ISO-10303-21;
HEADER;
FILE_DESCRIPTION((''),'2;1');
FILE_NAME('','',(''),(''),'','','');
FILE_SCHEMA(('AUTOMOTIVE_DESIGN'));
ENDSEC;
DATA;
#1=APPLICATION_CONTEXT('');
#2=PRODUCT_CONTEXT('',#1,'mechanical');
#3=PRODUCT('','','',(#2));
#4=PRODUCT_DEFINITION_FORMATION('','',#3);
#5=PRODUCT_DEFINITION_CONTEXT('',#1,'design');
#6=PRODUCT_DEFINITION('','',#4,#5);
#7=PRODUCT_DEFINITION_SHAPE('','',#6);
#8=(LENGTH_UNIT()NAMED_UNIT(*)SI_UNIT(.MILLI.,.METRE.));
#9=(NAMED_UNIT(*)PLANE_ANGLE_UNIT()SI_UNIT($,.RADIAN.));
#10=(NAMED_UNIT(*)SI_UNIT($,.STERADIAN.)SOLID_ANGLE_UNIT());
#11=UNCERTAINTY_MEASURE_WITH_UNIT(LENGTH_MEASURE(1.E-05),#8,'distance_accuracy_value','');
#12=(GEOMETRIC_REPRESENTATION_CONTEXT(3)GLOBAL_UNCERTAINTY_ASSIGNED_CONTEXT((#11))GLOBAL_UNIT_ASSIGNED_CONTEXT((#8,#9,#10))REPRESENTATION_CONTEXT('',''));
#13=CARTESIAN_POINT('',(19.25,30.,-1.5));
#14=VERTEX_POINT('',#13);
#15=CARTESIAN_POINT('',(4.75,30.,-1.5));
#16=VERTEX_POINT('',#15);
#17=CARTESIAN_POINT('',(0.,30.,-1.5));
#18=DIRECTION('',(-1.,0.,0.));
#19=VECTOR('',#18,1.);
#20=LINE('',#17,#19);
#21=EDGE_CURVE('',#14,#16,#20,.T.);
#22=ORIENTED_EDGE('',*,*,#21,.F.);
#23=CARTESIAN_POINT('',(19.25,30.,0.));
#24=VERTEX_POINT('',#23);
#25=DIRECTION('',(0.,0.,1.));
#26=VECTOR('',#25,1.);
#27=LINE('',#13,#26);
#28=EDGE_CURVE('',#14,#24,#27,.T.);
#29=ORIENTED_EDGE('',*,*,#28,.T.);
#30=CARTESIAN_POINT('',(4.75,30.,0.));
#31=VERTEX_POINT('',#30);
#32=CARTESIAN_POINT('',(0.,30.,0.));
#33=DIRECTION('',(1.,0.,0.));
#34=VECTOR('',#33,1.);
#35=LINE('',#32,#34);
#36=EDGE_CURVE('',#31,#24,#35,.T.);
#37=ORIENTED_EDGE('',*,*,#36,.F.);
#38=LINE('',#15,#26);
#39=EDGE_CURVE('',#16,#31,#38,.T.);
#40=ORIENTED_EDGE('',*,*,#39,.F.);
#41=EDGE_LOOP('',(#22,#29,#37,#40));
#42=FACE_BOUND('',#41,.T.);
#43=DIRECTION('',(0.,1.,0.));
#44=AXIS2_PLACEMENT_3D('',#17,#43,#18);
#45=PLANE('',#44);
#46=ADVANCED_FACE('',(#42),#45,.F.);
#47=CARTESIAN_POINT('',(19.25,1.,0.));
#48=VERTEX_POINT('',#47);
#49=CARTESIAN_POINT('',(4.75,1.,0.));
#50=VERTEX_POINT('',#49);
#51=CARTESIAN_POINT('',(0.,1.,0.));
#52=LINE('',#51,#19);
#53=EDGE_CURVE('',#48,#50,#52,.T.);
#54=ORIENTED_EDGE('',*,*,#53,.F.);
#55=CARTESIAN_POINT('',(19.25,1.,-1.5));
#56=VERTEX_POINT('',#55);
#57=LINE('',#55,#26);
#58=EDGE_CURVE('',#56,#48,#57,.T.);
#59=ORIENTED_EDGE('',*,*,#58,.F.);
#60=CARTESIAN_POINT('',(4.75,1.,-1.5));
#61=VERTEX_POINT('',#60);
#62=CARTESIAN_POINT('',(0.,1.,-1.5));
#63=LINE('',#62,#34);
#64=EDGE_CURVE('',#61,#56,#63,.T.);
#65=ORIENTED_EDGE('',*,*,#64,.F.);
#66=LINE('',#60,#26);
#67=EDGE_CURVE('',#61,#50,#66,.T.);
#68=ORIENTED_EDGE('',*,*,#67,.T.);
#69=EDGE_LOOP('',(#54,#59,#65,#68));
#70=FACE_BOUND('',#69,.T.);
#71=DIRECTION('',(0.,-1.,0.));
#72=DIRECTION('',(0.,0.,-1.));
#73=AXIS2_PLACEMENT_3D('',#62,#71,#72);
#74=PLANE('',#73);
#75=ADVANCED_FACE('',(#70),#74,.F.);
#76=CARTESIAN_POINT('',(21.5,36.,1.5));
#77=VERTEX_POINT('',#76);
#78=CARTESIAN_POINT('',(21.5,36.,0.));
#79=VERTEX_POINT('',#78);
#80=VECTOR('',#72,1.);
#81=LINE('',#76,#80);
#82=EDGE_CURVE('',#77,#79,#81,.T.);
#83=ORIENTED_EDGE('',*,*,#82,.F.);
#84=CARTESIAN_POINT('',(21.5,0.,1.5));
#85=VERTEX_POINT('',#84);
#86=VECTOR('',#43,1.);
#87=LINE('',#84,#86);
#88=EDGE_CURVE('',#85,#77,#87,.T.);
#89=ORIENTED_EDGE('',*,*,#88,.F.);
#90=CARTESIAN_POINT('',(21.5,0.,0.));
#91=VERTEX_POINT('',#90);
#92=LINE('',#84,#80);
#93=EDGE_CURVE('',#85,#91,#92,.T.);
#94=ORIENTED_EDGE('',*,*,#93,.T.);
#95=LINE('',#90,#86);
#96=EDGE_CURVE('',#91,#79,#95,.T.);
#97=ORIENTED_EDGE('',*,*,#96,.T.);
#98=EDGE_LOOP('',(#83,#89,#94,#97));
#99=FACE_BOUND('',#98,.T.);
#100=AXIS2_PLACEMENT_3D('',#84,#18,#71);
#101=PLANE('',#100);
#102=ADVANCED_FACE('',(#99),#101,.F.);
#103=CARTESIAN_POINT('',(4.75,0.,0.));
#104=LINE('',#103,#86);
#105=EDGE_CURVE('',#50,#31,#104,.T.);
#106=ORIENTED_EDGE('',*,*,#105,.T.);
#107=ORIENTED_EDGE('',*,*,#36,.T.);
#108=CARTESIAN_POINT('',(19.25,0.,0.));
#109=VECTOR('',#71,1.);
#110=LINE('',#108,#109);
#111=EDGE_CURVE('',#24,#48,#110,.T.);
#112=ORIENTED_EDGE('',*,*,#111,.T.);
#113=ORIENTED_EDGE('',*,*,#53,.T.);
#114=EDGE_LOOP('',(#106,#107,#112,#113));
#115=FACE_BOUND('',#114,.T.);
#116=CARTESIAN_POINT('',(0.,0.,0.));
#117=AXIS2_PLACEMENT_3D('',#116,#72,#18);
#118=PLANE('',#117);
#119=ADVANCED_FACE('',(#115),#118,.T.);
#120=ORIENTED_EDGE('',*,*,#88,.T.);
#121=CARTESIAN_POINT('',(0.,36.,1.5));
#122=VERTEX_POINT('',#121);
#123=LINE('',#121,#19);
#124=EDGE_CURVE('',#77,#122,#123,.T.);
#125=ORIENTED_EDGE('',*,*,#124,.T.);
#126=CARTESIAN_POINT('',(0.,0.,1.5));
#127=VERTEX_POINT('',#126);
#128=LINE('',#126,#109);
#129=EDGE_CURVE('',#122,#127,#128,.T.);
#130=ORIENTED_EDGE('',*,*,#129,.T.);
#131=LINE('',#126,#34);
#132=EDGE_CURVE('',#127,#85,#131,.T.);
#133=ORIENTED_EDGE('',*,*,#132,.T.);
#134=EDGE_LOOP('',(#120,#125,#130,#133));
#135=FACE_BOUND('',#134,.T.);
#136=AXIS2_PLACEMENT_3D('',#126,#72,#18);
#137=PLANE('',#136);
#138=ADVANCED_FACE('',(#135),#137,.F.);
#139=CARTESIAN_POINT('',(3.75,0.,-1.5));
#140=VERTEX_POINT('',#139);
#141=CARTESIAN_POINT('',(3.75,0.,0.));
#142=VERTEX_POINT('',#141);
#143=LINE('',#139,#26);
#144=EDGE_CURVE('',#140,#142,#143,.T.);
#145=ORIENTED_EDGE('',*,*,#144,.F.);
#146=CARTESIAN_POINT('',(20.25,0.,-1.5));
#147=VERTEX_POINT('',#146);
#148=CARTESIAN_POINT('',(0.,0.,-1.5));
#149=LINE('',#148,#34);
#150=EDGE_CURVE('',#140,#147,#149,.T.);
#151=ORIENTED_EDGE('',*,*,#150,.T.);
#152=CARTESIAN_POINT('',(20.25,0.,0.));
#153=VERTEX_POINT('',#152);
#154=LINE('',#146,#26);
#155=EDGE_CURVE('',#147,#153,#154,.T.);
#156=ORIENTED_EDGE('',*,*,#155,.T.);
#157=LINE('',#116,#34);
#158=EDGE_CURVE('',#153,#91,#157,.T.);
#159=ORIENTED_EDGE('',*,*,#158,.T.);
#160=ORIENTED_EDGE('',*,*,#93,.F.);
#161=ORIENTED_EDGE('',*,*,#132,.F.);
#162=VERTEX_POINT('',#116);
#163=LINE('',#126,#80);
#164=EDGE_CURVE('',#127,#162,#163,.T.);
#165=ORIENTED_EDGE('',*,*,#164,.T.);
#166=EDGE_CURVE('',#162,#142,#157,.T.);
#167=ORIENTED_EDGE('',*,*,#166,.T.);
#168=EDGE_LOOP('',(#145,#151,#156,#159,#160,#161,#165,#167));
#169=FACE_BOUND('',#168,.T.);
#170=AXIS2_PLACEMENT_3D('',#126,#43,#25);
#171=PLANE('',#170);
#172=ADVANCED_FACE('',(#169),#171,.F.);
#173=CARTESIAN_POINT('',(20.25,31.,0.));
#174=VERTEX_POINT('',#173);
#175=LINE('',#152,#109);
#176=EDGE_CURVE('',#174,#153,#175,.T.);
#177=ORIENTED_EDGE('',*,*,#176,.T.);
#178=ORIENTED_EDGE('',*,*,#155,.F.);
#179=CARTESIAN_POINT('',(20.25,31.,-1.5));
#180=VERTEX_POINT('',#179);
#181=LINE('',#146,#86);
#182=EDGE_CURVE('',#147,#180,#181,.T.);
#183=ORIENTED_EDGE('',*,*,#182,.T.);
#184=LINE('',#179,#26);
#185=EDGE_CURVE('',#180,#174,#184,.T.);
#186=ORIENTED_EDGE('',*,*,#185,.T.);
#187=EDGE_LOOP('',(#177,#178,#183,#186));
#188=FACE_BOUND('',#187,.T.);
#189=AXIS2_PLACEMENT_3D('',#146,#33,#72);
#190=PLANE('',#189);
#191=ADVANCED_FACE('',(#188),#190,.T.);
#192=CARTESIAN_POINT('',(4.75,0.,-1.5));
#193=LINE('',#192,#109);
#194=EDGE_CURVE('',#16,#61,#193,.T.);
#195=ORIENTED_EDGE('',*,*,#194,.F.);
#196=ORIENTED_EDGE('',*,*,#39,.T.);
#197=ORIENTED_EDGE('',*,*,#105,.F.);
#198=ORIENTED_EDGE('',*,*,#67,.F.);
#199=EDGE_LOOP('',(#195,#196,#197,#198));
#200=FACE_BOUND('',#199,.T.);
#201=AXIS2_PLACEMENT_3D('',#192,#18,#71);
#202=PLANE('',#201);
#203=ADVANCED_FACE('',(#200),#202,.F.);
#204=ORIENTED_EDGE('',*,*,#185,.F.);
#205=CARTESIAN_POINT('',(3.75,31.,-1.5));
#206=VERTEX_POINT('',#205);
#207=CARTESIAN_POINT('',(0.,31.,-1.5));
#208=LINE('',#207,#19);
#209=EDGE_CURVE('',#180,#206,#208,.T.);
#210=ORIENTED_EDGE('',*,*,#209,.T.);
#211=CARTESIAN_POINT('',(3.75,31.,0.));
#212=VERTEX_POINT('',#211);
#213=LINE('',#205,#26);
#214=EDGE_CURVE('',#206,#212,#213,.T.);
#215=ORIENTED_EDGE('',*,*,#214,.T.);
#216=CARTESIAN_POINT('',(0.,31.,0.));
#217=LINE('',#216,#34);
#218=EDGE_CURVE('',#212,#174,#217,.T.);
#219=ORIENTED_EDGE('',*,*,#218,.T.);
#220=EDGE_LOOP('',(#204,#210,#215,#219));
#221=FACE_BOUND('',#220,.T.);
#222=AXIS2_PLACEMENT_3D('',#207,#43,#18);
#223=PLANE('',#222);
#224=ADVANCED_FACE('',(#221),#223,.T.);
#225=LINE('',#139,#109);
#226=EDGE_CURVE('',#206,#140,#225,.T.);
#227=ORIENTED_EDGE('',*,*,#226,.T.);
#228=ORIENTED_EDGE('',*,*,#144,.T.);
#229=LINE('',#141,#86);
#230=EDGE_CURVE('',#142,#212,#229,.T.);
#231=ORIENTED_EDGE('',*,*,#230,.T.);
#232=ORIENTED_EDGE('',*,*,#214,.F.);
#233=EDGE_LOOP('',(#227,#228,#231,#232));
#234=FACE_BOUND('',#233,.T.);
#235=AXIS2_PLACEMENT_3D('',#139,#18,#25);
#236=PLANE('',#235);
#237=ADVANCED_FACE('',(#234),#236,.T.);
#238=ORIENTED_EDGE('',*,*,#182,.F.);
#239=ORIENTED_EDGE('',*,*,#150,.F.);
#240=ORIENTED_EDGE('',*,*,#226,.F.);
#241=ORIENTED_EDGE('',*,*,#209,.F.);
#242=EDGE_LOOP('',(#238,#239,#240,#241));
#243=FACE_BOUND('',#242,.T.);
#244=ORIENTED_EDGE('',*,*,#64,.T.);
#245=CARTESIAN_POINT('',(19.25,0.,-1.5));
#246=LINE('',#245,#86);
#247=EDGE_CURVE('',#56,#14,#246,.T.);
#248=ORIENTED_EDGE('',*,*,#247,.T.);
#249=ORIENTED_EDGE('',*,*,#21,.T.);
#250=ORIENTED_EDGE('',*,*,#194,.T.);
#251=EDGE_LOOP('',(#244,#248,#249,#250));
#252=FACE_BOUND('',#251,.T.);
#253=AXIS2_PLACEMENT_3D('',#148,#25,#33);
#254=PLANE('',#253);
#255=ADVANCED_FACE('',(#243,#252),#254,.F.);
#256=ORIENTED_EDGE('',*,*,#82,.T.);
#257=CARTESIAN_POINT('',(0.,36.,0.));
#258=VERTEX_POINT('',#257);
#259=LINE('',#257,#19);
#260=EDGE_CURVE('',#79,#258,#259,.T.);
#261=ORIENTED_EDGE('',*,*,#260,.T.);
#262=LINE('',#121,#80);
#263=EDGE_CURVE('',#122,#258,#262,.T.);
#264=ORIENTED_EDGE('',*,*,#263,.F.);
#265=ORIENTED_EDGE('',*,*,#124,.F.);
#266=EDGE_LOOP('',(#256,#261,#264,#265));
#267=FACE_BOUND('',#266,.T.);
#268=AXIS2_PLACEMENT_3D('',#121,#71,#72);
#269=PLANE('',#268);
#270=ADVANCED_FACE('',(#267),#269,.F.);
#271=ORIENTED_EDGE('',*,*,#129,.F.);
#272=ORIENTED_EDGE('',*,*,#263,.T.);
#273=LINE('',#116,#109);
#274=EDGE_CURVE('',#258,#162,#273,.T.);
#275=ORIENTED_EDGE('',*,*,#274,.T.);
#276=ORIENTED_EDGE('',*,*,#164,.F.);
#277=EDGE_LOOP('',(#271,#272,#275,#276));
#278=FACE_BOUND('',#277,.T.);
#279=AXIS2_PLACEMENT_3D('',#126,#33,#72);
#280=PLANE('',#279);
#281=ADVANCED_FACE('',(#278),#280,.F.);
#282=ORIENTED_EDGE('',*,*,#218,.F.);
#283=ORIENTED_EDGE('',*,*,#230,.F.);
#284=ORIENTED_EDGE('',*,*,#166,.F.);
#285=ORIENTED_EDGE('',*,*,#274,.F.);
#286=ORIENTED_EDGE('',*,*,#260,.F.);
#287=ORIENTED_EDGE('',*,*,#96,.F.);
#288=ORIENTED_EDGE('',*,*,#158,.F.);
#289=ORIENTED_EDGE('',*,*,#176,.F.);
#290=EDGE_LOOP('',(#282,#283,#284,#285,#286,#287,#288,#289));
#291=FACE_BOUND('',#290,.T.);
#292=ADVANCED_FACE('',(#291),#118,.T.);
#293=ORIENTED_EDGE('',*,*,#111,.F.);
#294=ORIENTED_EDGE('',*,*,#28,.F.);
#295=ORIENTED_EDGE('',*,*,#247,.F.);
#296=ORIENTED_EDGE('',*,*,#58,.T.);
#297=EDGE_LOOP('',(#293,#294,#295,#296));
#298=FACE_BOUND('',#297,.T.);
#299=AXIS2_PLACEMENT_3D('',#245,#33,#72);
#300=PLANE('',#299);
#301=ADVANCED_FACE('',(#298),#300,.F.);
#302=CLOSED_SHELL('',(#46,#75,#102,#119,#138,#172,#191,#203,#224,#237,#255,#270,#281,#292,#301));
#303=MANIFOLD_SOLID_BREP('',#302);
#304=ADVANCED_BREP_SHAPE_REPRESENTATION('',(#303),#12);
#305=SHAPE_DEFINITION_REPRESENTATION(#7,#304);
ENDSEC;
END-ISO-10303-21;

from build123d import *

# Parameters (mm, degrees)
SKETCH1_W           = 21.5
SKETCH1_H           = 36
BOSS_EXTRUDE1_DEPTH = 1.5
SKETCH2_W           = 14.5
SKETCH2_H           = 1
BOSS_EXTRUDE2_DEPTH = 3


with BuildPart() as part:
    # Sketch1 → Boss-Extrude1 (new body)
    with BuildSketch(Plane.XY):
        with Locations((10.75, 18)):
            Rectangle(SKETCH1_W, SKETCH1_H)
    extrude(amount=BOSS_EXTRUDE1_DEPTH)

    # Sketch2 → Boss-Extrude2 (add)
    with BuildSketch(Plane.XY.offset(1.5)):
        Polygon((3.75, 0), (4.75, 0), (4.75, 1), (4.75, 30), (3.75, 30), align=None)
        with Locations((12, 0.5)):
            Rectangle(SKETCH2_W, SKETCH2_H)
        Polygon((19.25, 0), (20.25, 0), (20.25, 31), (19.25, 31), (19.25, 30), (19.25, 1), align=None)
        Polygon((19.25, 30), (19.25, 31), (3.75, 31), (3.75, 30), (4.75, 30), align=None)
    extrude(amount=-BOSS_EXTRUDE2_DEPTH)


solid = part.part
